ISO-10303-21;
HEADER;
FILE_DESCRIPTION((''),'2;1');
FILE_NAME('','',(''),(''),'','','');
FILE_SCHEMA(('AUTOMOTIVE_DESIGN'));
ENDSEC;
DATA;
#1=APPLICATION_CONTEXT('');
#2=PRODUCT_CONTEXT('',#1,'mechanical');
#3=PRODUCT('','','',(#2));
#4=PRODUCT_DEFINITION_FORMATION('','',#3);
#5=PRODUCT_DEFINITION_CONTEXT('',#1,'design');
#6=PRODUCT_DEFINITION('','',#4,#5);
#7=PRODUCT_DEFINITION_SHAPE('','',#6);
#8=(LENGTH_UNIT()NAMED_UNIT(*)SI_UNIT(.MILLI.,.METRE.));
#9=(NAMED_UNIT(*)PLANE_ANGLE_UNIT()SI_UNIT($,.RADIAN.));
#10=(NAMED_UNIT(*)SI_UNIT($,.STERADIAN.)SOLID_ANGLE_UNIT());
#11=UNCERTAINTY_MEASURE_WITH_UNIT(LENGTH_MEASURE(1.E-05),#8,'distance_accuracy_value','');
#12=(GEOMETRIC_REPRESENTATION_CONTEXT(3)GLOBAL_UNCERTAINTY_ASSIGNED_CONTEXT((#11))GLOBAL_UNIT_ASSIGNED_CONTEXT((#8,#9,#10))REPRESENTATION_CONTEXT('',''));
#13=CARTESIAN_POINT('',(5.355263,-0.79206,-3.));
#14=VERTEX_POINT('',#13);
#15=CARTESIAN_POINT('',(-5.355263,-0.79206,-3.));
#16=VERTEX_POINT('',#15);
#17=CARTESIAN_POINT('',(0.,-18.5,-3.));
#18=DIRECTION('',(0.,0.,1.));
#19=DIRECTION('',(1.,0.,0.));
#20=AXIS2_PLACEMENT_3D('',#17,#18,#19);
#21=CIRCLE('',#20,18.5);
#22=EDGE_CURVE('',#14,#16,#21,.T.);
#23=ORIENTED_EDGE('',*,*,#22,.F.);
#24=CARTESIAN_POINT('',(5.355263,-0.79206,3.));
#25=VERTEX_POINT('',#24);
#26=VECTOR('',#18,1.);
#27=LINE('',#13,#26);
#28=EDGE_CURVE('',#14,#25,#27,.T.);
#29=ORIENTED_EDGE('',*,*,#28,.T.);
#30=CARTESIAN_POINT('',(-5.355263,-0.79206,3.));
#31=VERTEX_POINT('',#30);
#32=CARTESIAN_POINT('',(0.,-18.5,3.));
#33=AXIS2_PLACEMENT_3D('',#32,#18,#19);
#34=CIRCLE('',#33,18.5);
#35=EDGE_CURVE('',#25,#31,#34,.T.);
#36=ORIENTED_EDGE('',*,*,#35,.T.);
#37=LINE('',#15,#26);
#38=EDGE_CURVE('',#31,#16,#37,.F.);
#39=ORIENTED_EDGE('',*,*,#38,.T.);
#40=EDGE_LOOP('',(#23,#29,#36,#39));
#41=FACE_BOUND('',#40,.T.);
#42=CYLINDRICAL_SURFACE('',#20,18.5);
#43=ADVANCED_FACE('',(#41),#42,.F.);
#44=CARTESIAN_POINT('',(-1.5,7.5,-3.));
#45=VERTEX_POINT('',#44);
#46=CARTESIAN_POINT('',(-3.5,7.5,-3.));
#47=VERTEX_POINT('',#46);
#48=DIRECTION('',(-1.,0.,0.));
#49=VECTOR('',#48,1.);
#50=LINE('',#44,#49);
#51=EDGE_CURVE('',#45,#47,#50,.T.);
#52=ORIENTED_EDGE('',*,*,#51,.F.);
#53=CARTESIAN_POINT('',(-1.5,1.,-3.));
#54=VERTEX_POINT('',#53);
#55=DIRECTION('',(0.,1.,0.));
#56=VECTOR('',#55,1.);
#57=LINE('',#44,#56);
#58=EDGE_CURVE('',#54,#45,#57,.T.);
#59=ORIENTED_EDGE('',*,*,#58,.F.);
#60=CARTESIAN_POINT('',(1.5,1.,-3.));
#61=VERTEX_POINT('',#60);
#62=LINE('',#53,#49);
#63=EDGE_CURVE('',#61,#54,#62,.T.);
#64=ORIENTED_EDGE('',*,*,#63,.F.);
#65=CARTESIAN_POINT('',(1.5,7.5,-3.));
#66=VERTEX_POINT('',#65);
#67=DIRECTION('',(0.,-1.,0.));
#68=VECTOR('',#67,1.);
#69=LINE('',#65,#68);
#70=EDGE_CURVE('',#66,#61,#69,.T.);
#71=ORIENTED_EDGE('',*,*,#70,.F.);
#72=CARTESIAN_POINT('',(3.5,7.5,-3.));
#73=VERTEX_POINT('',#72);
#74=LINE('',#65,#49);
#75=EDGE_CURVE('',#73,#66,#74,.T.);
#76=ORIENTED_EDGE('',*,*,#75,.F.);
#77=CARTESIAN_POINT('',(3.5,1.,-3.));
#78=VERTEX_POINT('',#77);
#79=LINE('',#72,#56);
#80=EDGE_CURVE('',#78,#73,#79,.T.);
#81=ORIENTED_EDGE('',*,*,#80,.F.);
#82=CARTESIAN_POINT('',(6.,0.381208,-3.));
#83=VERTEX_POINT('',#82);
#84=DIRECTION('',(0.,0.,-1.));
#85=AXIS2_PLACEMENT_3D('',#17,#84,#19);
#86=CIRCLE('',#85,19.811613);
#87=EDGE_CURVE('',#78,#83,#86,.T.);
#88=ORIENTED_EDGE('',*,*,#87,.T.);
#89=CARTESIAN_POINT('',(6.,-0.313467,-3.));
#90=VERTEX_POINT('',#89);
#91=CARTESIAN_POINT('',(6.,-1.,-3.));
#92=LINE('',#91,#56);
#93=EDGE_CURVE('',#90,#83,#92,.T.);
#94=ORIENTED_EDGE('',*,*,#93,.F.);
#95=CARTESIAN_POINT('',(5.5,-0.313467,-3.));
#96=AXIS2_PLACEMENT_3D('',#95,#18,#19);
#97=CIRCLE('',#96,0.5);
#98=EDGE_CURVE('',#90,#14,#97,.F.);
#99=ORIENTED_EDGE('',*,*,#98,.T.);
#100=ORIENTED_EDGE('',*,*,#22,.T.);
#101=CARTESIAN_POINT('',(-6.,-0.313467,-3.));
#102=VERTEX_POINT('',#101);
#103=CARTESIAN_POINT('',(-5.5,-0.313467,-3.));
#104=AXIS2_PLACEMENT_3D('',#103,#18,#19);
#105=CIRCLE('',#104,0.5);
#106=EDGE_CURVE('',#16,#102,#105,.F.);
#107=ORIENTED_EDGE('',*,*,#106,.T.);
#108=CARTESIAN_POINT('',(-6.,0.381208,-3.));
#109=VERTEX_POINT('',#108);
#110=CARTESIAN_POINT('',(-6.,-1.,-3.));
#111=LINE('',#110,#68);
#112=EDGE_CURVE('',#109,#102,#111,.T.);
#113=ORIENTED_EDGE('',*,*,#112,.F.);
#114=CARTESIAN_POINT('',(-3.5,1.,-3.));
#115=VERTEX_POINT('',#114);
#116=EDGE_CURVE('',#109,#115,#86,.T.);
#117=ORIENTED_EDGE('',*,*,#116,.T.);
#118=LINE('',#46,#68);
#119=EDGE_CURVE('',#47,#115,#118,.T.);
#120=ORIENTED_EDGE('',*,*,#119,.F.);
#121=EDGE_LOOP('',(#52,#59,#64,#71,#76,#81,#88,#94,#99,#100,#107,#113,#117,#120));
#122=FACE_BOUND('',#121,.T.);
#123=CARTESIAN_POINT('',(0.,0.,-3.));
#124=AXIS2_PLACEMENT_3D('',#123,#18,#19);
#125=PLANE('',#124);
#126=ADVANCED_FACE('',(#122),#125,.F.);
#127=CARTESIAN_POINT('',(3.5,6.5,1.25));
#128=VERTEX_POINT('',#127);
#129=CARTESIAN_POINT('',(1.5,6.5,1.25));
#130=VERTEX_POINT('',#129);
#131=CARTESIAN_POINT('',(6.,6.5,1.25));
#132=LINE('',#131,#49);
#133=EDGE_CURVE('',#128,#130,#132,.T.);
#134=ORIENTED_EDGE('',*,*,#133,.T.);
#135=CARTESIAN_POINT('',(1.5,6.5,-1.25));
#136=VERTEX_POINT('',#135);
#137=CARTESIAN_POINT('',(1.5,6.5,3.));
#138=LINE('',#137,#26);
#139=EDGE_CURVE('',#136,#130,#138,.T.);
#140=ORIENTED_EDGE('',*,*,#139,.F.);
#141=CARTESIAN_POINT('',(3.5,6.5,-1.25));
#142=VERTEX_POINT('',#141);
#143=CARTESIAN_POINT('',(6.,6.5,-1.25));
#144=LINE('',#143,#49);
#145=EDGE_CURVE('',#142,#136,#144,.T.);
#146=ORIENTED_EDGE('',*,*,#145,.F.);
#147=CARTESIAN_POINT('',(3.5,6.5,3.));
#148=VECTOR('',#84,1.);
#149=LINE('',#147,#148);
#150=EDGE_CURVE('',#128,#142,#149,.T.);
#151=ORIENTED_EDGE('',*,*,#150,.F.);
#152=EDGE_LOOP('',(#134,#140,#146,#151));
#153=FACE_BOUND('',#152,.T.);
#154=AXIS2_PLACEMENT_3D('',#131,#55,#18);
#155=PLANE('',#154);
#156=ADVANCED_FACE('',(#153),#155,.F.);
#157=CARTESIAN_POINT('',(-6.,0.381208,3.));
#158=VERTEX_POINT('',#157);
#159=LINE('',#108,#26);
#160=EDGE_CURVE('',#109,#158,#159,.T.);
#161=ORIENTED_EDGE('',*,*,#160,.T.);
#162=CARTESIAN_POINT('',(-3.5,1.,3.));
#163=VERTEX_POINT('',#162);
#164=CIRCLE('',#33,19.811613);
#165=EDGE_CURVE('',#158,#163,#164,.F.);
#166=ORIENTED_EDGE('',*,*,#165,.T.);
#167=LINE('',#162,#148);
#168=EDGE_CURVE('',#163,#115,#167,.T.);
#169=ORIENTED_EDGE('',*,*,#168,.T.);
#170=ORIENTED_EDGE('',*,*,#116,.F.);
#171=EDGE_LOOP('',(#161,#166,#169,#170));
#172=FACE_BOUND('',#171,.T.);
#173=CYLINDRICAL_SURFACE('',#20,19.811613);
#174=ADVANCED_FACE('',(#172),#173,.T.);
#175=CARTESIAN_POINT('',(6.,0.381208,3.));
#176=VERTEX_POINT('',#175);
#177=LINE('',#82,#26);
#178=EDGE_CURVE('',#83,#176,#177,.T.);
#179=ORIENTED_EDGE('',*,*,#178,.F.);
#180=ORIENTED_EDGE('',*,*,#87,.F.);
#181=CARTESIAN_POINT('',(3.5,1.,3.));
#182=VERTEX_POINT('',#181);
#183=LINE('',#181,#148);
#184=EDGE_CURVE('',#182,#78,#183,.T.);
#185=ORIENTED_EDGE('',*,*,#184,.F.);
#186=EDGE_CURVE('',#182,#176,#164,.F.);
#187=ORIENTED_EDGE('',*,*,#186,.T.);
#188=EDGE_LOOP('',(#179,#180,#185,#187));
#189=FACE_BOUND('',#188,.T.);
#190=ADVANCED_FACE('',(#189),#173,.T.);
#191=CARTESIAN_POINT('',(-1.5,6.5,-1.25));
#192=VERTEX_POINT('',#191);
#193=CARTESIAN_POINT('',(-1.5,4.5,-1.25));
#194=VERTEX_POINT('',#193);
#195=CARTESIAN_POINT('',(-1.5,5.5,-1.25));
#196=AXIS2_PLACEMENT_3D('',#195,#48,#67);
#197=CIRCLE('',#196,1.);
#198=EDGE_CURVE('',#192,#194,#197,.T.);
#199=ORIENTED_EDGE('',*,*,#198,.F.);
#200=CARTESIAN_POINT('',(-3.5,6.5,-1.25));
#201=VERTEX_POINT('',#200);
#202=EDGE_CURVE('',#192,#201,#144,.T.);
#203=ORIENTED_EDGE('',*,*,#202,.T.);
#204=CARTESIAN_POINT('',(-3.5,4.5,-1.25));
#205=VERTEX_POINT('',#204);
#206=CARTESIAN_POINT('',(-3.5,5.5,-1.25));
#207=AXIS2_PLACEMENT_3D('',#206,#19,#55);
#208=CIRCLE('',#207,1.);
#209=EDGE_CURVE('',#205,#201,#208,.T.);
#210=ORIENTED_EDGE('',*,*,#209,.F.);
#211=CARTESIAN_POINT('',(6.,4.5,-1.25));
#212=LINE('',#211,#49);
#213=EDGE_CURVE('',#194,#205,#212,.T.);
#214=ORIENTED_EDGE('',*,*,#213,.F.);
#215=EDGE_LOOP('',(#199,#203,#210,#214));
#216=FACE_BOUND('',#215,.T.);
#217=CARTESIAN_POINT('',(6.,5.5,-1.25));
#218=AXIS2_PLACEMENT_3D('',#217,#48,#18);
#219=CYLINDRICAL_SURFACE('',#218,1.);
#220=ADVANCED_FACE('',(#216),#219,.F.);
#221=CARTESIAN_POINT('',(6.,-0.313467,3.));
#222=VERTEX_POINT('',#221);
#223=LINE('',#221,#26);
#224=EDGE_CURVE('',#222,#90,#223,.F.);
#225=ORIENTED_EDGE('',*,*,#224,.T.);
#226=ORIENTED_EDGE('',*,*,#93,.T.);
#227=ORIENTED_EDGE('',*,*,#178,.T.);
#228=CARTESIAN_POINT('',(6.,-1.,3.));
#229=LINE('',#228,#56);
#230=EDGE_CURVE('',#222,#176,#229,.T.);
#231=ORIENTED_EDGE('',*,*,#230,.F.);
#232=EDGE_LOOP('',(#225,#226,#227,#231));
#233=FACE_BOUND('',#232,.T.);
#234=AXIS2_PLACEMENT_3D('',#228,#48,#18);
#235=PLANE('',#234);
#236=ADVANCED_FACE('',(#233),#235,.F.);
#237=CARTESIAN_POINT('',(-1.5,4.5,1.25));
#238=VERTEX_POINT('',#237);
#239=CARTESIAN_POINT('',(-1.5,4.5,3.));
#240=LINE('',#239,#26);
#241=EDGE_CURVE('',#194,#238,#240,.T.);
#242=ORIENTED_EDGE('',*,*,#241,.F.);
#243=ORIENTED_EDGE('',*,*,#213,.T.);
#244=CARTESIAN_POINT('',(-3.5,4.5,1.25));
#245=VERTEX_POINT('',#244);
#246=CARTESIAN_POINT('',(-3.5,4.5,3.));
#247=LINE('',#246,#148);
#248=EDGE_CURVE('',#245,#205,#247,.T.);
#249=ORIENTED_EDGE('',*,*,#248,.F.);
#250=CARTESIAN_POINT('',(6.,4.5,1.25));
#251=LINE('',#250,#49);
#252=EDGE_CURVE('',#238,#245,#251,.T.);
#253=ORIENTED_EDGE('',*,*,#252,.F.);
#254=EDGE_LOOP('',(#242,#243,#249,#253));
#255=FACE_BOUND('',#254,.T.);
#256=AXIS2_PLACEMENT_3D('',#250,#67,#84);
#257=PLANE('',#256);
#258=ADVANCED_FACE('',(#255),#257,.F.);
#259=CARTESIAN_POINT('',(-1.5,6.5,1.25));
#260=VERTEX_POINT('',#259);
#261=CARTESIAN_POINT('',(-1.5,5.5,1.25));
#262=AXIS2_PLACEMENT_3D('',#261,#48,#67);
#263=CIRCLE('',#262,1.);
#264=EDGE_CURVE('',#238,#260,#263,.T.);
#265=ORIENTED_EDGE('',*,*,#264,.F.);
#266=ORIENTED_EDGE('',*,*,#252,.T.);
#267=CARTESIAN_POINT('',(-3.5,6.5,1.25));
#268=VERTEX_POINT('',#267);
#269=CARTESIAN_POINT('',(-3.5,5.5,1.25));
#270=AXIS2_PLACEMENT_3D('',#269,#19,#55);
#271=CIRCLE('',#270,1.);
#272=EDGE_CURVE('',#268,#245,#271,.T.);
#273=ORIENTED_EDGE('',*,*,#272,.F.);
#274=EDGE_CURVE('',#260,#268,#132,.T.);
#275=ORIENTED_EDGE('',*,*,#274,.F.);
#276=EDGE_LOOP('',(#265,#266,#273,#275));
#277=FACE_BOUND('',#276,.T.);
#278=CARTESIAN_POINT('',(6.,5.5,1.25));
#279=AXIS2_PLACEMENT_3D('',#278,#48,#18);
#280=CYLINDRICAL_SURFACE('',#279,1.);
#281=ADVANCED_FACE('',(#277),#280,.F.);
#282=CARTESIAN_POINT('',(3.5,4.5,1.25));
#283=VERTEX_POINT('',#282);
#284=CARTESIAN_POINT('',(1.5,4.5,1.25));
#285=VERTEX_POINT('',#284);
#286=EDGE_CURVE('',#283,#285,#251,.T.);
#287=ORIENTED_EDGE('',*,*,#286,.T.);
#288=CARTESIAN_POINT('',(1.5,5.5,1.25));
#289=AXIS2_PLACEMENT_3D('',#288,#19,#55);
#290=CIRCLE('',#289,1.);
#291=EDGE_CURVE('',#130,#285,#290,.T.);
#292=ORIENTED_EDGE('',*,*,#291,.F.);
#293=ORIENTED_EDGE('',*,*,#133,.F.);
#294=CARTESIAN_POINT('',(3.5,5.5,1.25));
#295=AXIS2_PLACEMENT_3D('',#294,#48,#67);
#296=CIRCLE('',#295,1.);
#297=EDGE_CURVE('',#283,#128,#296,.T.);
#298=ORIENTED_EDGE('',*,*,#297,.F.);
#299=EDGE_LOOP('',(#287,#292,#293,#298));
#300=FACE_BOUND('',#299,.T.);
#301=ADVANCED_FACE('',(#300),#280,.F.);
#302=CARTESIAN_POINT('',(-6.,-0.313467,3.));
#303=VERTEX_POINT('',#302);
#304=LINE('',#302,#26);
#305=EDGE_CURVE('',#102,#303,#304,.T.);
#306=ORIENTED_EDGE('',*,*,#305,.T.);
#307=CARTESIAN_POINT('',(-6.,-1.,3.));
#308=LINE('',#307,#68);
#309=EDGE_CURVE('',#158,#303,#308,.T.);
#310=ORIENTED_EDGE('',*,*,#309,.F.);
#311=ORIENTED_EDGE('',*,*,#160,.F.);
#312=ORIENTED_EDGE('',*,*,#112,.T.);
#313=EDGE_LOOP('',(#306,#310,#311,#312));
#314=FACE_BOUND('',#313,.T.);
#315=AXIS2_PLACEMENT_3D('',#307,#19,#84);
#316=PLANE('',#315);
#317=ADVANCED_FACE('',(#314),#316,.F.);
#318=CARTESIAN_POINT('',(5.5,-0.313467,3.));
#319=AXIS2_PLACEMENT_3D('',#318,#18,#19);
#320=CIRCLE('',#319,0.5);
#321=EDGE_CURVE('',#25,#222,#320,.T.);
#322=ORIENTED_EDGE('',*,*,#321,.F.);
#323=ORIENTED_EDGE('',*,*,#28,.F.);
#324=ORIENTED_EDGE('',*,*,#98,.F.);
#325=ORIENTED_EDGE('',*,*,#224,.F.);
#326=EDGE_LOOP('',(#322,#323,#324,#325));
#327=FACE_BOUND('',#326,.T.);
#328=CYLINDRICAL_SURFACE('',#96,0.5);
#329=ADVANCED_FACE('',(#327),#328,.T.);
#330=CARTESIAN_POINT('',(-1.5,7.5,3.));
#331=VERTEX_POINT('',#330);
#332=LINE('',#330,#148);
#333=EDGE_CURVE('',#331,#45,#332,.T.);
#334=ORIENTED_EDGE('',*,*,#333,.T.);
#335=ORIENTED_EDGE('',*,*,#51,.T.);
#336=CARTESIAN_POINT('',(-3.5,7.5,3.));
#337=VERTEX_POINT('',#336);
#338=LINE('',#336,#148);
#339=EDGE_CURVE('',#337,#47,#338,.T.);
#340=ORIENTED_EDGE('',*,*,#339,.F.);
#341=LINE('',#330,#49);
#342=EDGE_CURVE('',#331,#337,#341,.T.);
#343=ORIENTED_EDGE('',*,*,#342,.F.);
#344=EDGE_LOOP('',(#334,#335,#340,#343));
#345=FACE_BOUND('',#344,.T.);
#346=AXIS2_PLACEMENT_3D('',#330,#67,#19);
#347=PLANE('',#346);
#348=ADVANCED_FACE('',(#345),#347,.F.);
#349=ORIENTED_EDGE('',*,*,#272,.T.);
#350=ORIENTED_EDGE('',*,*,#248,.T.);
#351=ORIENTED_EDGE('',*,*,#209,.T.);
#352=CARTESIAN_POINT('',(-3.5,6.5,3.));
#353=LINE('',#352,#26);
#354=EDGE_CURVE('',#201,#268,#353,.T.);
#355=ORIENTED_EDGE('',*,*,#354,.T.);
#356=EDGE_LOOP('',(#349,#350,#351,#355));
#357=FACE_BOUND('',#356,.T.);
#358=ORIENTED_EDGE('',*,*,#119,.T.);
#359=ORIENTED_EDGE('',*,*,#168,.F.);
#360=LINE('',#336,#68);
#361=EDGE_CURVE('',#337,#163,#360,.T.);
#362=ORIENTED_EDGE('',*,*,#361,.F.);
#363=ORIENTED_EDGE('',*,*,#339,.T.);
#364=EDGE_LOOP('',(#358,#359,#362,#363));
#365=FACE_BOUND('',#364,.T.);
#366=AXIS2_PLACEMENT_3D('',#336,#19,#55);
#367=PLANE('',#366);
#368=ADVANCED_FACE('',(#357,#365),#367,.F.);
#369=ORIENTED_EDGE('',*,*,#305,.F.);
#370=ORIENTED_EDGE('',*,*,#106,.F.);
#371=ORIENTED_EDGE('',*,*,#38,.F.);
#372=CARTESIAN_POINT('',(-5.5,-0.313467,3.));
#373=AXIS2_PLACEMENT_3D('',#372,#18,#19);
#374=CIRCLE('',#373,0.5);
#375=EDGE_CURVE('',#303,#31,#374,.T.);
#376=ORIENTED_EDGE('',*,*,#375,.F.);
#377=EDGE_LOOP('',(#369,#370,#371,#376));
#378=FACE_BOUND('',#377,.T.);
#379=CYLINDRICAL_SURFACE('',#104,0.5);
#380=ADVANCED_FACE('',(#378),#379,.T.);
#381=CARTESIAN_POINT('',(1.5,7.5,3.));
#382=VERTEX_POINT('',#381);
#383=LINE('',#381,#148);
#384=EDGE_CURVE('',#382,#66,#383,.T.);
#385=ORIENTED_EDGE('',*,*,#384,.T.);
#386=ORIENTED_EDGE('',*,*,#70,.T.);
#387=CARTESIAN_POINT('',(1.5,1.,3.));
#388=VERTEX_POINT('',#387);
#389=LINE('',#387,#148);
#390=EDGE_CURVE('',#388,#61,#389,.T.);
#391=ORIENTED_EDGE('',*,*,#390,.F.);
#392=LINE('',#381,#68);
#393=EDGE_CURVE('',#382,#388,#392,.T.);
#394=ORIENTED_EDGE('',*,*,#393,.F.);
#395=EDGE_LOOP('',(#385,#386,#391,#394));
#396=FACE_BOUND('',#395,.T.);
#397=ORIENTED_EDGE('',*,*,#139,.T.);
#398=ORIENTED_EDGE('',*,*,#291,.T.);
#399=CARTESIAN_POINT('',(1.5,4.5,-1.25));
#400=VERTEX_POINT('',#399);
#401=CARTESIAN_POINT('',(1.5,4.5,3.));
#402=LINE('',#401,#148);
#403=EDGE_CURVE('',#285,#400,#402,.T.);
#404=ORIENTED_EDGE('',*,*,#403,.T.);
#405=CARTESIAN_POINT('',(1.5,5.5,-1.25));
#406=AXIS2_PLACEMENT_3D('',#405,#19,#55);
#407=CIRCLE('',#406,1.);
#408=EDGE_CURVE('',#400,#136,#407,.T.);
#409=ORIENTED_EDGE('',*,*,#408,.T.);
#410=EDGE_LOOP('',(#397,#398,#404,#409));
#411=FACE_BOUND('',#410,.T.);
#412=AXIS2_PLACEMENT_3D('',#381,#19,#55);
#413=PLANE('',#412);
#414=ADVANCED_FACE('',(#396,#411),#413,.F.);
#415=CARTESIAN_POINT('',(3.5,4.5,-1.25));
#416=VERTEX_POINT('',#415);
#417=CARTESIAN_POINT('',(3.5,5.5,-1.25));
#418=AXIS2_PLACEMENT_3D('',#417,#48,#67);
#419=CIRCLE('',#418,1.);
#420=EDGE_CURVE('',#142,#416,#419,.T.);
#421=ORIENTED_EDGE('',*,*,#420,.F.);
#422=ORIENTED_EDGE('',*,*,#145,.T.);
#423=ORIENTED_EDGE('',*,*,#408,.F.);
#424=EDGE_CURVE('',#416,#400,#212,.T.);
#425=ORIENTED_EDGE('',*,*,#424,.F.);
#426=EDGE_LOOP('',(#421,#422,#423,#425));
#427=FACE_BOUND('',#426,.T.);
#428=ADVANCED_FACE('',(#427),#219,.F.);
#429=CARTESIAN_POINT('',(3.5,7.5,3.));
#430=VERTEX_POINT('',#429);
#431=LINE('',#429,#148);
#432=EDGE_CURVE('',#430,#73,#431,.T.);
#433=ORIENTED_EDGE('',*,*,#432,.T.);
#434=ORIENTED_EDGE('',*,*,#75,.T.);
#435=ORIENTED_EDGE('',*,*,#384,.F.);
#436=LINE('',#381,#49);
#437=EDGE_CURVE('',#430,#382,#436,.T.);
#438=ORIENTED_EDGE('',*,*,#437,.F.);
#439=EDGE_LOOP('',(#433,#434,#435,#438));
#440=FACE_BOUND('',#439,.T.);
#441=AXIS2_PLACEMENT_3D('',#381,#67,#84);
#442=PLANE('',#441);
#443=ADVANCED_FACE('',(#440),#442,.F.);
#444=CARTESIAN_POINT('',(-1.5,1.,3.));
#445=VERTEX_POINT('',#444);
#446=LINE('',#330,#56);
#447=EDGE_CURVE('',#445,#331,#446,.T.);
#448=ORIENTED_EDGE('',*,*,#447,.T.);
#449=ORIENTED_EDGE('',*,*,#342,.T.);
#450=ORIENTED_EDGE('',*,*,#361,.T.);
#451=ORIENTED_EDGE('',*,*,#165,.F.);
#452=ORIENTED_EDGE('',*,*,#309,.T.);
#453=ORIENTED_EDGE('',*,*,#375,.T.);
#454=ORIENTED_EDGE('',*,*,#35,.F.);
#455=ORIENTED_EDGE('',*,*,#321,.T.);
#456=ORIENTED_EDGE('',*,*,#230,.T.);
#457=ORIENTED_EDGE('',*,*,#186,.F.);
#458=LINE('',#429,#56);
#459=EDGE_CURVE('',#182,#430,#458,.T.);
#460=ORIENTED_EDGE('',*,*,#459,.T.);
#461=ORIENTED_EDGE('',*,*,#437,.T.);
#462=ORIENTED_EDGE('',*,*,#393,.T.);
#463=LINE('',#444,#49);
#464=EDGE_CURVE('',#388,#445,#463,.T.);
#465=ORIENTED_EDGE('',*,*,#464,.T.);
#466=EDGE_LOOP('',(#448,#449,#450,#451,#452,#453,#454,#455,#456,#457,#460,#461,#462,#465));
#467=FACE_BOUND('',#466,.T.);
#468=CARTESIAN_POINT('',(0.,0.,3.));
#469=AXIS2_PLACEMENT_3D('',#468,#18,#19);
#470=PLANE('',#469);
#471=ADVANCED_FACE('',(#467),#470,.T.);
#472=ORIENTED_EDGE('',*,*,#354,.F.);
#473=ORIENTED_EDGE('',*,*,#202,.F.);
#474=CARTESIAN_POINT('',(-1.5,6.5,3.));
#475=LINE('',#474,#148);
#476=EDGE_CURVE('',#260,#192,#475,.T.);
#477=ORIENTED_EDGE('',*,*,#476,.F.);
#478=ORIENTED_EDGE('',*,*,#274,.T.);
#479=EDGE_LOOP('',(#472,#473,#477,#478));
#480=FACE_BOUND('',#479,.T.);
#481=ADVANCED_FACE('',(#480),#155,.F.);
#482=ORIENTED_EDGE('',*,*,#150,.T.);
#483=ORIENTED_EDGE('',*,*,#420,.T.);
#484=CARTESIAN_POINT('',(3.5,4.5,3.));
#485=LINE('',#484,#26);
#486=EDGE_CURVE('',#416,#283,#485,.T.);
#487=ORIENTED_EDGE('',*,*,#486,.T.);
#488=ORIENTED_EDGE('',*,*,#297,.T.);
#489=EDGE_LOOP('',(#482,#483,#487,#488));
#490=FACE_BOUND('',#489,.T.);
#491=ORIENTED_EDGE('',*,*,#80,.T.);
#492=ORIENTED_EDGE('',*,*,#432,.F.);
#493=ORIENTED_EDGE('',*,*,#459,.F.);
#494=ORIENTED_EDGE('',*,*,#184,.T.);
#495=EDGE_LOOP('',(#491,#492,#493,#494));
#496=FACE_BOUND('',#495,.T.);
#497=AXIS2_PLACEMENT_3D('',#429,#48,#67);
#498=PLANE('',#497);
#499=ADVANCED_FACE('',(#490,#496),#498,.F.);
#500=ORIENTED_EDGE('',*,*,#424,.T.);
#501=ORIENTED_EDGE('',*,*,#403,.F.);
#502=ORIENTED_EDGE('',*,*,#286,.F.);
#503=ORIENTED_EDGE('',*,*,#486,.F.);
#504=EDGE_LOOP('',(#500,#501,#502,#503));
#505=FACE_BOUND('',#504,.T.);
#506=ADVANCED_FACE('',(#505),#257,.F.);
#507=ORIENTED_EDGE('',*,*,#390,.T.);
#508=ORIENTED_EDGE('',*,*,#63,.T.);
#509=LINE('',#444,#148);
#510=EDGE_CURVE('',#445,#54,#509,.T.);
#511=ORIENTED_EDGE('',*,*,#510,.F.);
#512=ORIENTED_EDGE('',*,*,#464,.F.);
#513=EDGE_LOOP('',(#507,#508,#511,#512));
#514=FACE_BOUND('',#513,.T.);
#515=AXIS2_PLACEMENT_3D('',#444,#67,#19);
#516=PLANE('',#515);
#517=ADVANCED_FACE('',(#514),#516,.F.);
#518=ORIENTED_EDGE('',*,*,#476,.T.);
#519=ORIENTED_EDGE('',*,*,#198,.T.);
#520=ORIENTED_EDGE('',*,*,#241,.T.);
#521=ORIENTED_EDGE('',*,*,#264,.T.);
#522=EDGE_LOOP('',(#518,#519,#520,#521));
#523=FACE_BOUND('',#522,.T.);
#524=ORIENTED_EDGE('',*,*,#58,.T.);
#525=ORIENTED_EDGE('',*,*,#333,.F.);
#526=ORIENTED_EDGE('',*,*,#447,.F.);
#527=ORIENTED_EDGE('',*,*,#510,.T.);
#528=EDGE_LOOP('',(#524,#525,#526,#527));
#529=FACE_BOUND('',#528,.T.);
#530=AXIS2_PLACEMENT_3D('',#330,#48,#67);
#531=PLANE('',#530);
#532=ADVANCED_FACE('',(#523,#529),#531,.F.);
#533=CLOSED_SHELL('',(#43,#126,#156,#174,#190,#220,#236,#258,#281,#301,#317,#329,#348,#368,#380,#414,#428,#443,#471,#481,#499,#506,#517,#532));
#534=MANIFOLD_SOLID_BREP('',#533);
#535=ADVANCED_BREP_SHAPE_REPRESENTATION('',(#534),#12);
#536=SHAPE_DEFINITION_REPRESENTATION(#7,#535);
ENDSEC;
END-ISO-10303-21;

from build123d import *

# Parameters (mm, degrees)
BOSS_EXTRUDE1_DEPTH     = 3
CUT_EXTRUDE4_DEPTH      = 13.469963913
CUT_EXTRUDE4_DEPTH_BACK = 13.469963913
CUT_EXTRUDE5_DEPTH      = 12.324751653
CUT_EXTRUDE5_DEPTH_BACK = 12.324751653
SKETCH6_R               = 18.5
FILLET1_R               = 0.5


with BuildPart() as part:
    # Sketch1 → Boss-Extrude1 (new, symmetric)
    with BuildSketch(Plane.XY):
        Polygon((-6, -1), (6, -1), (6, 1), (3.5, 1), (3.5, 7.5), (1.5, 7.5), (1.5, 1), (-1.5, 1), (-1.5, 7.5), (-3.5, 7.5), (-3.5, 1), (-6, 1), align=None)
    extrude(amount=BOSS_EXTRUDE1_DEPTH, both=True)

    # Sketch5 → Cut-Extrude4 (cut, two sides: drawn at the far end of the back side and taken through both)
    with BuildSketch(Plane.ZY.offset(3.5).offset(-CUT_EXTRUDE4_DEPTH_BACK)):
        with BuildLine():
            Line((1.25, 4.5), (-1.25, 4.5))
            ThreePointArc((-1.25, 4.5), (-2.25, 5.5), (-1.25, 6.5))
            Line((-1.25, 6.5), (1.25, 6.5))
            ThreePointArc((1.25, 6.5), (2.25, 5.5), (1.25, 4.5))
        make_face()
    extrude(amount=CUT_EXTRUDE4_DEPTH + CUT_EXTRUDE4_DEPTH_BACK, mode=Mode.SUBTRACT)

    # Sketch6 → Cut-Extrude5 (cut, two sides: drawn at the far end of the back side and taken through both)
    with BuildSketch(Plane.XY.offset(3).offset(-CUT_EXTRUDE5_DEPTH_BACK)):
        with Locations((0, -18.5)):
            Circle(SKETCH6_R)
        with BuildLine():
            Line((-6, 1), (-3.5, 1))
            ThreePointArc((-3.5, 1), (-4.760065757, 0.731270733), (-6, 0.381207588))
            Line((-6, 0.381207588), (-6, 1))
        make_face()
        with BuildLine():
            Line((3.5, 1), (6, 1))
            Line((6, 1), (6, 0.381207588))
            ThreePointArc((6, 0.381207588), (4.760065757, 0.731270733), (3.5, 1))
        make_face()
    extrude(amount=CUT_EXTRUDE5_DEPTH + CUT_EXTRUDE5_DEPTH_BACK, mode=Mode.SUBTRACT)

    # Fillet1
    fillet1_edges = [part.edges().sort_by_distance(p)[0] for p in [
        (6, -1, 0),
        (-6, -1, 0),
    ]]
    fillet(fillet1_edges, radius=FILLET1_R)


solid = part.part
